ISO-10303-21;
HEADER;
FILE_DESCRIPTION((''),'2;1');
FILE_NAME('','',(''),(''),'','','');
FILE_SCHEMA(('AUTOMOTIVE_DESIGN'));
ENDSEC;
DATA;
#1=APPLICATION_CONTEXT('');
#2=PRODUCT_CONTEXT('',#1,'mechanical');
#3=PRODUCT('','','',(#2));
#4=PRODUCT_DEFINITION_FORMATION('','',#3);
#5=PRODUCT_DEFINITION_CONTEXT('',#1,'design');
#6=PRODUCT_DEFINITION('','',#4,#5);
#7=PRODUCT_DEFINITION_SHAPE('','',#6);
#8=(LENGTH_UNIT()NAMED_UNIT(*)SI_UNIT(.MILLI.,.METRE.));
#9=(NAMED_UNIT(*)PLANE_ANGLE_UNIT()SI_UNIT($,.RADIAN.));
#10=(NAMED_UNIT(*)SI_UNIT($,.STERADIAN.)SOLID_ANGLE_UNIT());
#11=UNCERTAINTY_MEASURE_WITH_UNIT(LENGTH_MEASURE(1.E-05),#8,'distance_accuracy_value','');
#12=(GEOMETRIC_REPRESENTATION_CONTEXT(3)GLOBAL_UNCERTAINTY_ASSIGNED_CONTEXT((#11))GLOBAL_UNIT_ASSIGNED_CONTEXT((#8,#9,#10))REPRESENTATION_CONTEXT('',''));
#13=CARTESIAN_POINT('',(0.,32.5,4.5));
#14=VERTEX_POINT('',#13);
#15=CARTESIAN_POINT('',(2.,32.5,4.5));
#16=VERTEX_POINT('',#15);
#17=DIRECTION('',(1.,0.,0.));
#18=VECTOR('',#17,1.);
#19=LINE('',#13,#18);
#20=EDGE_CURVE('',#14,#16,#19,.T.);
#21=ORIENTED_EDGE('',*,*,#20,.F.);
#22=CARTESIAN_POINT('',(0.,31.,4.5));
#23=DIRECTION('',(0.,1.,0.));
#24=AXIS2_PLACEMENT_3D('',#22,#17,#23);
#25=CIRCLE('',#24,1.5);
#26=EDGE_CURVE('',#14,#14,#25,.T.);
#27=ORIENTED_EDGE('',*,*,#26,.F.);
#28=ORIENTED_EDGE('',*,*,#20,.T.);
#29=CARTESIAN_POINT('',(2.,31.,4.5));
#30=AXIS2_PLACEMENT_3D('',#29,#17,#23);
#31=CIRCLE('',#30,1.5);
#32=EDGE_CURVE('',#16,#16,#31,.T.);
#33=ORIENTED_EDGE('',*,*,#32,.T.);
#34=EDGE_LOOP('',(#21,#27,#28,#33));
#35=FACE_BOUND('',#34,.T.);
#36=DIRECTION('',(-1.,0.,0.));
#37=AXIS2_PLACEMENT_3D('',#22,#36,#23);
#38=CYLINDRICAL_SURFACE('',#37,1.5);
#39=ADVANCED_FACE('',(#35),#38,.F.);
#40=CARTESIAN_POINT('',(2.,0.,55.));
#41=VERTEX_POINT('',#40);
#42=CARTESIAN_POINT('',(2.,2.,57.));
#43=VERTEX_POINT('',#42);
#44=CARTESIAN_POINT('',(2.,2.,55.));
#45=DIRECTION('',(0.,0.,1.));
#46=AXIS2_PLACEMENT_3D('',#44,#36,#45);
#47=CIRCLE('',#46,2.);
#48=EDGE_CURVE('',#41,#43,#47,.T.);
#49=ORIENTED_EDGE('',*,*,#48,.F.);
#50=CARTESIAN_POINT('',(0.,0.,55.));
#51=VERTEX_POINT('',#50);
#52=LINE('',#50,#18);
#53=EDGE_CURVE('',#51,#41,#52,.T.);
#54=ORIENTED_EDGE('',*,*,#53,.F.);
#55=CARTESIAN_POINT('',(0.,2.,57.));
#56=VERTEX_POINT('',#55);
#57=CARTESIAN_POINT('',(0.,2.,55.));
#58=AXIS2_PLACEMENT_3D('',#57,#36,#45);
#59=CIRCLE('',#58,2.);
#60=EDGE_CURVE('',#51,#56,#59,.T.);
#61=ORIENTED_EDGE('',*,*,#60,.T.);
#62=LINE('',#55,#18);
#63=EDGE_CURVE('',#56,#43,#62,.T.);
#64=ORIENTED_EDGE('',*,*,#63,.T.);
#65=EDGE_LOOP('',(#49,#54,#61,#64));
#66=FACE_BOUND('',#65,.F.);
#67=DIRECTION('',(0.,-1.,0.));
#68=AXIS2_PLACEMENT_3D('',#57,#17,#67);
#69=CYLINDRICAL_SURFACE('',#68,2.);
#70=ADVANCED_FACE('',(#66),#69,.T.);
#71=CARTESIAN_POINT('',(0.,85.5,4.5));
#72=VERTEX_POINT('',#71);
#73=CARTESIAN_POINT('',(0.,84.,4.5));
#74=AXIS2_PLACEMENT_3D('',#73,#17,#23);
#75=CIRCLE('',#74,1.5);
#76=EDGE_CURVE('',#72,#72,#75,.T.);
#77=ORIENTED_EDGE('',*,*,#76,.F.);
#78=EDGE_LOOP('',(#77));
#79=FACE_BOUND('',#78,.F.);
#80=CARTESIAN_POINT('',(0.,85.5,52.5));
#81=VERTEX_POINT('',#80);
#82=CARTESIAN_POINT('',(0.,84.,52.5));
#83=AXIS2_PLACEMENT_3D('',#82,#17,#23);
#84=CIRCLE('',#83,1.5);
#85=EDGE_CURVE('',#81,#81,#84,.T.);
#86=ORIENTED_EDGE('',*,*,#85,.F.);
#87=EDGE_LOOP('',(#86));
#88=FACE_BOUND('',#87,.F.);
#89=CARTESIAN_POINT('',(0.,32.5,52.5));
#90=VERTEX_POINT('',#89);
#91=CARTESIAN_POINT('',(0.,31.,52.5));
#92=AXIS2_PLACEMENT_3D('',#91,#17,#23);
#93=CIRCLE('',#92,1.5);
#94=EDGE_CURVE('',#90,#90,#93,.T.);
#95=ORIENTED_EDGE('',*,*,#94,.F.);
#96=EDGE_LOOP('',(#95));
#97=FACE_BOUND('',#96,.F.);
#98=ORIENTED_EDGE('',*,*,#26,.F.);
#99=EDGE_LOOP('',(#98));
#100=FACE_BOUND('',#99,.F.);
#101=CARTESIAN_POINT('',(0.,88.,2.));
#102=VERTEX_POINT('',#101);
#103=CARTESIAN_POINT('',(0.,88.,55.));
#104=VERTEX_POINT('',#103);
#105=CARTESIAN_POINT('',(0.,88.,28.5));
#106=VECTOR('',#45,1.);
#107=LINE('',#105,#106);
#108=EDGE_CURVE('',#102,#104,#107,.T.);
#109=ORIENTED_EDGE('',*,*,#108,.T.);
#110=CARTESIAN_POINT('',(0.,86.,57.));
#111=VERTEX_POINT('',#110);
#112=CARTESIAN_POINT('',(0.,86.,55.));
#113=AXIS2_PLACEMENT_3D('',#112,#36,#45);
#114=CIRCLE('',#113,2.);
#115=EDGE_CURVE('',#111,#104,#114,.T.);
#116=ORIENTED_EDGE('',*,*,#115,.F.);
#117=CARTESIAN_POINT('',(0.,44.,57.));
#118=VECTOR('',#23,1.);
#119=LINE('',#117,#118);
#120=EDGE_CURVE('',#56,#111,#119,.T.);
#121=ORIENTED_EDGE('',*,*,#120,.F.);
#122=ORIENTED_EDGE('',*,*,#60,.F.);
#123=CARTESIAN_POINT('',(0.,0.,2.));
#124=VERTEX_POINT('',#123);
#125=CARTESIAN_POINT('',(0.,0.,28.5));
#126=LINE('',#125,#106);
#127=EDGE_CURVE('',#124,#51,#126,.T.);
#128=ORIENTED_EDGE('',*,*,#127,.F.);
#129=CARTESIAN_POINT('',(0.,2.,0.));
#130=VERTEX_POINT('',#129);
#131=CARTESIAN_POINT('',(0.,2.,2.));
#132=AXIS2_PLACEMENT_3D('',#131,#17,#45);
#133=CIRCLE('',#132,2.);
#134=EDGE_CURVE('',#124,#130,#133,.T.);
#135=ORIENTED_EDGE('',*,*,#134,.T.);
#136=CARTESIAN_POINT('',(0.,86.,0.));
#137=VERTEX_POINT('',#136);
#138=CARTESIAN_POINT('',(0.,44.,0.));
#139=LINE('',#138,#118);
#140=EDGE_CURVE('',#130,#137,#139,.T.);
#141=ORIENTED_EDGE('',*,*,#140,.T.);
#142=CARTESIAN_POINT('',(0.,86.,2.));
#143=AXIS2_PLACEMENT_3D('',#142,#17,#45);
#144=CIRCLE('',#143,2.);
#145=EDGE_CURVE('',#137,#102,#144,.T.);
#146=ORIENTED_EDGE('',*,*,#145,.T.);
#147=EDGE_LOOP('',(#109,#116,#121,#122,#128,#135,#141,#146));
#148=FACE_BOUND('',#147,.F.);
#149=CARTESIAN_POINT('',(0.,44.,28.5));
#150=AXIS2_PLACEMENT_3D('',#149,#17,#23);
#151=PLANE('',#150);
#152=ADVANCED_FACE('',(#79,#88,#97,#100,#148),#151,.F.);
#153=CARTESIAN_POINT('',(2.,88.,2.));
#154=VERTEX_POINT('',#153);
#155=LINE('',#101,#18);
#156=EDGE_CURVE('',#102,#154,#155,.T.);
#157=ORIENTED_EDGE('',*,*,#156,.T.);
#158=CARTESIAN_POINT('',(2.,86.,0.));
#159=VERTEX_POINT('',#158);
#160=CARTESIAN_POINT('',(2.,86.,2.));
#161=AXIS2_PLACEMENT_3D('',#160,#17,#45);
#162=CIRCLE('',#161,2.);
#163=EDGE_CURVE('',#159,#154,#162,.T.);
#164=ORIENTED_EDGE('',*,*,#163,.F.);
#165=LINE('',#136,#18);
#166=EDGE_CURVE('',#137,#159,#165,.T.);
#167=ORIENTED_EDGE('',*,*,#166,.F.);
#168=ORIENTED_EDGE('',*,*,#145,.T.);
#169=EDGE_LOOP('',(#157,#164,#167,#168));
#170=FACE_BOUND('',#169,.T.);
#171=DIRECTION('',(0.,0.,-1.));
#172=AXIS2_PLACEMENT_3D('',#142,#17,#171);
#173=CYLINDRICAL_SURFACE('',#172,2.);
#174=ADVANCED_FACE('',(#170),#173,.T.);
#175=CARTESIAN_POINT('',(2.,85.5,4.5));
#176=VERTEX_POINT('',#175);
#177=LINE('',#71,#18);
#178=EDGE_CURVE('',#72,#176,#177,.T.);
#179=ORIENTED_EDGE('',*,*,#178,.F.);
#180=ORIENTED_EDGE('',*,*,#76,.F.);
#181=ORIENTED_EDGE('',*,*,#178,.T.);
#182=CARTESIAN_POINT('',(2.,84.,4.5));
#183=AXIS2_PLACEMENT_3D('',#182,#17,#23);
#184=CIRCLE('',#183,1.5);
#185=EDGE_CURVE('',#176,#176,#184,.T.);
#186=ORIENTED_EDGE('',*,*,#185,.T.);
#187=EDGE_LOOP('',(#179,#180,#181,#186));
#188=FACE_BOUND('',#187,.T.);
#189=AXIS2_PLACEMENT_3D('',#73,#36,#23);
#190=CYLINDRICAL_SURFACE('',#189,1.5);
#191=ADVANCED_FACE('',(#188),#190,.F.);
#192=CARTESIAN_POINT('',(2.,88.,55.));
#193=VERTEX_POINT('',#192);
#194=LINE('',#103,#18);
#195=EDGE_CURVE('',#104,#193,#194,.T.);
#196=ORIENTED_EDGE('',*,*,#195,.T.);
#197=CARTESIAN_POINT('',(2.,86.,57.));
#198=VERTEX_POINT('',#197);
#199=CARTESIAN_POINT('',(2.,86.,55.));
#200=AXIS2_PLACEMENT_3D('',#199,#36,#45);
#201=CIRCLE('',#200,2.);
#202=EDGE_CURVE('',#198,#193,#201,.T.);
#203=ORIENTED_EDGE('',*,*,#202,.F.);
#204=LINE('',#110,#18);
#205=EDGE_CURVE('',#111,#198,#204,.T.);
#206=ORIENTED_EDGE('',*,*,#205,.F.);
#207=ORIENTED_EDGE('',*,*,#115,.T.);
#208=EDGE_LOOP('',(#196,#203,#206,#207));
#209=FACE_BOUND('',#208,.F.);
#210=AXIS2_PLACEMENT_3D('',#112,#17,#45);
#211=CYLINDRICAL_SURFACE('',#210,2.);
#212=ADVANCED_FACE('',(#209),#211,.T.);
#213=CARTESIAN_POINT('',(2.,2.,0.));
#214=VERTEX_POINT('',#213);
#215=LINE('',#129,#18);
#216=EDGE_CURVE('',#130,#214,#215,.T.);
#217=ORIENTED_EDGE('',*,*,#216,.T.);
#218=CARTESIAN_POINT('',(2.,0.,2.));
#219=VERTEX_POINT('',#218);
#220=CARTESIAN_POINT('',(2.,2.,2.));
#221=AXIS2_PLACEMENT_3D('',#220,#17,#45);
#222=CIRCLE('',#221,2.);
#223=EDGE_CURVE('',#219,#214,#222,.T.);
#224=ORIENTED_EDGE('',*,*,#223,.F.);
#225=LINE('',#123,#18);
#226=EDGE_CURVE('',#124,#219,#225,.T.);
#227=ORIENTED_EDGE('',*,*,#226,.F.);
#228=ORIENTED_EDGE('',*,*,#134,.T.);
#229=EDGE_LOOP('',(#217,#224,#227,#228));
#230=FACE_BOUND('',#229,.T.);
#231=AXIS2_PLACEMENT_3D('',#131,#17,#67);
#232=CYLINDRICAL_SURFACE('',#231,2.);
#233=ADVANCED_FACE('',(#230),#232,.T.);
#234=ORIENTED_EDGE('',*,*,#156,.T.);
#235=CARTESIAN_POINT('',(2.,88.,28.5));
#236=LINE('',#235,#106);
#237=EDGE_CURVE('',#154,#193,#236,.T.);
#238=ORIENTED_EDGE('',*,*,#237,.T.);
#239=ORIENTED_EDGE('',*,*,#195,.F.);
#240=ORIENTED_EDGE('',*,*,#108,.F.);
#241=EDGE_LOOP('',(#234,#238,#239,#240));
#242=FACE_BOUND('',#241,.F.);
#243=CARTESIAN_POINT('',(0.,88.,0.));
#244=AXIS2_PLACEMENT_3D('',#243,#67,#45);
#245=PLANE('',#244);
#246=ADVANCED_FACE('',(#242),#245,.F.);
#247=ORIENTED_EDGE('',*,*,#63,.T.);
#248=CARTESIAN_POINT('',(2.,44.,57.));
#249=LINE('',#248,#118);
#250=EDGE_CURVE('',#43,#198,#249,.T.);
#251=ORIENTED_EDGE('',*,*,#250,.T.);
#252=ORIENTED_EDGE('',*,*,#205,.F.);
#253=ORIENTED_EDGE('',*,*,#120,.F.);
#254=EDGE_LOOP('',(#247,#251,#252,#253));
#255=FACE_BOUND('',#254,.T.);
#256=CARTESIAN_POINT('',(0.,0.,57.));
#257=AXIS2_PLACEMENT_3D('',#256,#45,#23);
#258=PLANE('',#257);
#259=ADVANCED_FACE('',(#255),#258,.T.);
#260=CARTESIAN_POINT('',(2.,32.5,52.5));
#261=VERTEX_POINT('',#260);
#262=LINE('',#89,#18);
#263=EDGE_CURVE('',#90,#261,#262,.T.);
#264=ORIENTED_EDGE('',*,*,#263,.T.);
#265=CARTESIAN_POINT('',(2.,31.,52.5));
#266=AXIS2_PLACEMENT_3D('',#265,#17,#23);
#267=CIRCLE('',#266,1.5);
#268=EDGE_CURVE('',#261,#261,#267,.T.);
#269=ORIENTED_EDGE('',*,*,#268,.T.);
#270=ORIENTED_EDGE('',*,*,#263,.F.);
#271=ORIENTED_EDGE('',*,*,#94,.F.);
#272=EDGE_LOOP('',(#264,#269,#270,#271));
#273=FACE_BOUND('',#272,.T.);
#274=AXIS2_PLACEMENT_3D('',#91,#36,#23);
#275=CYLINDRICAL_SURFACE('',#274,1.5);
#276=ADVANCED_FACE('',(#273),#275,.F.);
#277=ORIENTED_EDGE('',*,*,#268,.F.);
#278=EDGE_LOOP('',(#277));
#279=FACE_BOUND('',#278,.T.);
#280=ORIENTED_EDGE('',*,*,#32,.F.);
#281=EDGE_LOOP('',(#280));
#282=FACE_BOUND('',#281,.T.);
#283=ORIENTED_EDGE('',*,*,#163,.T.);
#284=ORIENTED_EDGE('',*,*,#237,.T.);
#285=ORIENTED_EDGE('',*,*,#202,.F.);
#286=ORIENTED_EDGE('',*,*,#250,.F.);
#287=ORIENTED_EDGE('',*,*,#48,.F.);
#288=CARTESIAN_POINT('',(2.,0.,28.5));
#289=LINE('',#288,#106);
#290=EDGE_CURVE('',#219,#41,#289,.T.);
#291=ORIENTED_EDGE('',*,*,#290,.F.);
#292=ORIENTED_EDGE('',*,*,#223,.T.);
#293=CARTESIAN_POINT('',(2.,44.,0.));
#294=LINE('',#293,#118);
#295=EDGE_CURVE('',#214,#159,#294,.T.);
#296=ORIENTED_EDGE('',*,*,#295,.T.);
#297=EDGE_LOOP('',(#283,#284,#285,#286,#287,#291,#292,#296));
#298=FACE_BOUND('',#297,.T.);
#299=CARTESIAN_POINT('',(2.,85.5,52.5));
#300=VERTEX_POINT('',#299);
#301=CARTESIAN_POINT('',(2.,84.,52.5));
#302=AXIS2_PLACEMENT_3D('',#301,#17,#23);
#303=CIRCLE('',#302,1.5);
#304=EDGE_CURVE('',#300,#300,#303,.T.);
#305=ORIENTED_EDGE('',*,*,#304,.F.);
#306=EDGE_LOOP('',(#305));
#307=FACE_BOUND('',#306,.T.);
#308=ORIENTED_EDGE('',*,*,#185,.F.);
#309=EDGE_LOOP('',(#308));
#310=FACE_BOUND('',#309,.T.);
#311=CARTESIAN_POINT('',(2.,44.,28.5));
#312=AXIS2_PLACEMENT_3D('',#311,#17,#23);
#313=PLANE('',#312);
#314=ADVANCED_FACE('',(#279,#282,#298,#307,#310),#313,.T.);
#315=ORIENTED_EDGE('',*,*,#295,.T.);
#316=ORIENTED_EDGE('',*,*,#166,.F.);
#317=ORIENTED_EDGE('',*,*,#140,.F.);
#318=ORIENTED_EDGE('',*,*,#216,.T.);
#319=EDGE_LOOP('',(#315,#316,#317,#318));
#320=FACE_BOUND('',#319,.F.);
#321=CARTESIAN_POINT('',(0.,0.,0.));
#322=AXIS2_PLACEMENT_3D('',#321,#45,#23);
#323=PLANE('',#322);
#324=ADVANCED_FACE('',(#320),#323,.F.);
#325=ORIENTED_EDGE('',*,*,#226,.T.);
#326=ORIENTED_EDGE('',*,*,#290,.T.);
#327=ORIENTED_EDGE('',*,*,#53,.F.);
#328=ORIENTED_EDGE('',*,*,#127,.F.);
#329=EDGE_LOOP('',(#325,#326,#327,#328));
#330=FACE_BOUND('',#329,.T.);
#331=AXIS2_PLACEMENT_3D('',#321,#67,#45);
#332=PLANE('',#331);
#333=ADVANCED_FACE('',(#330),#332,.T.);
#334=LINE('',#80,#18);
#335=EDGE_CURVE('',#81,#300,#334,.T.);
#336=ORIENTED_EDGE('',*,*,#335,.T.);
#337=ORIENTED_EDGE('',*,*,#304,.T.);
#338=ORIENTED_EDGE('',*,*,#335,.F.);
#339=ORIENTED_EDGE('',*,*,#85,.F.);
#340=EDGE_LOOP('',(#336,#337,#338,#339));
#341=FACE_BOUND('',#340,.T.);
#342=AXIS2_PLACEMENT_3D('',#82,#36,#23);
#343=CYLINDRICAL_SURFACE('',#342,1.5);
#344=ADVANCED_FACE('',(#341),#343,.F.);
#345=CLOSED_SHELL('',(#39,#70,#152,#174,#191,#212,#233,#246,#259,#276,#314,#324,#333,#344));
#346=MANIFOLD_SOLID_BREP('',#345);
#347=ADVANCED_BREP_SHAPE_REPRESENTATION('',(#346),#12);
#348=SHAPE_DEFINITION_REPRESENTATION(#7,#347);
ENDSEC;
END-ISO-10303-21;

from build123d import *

# Parameters (mm, degrees)
F0_W     = 88
F0_H     = 57
F0_R     = 1.5
F1_DEPTH = 2
F2_R     = 2


with BuildPart() as f1:
    # F0 (on Right) → F1 (new body)
    with BuildSketch(Plane.YZ):
        with Locations((44, 28.5)):
            Rectangle(F0_W, F0_H)
        with Locations((31, 4.5)):
            Circle(F0_R, mode=Mode.SUBTRACT)
        with Locations((84, 4.5)):
            Circle(F0_R, mode=Mode.SUBTRACT)
        with Locations((31, 52.5)):
            Circle(F0_R, mode=Mode.SUBTRACT)
        with Locations((84, 52.5)):
            Circle(F0_R, mode=Mode.SUBTRACT)
    extrude(amount=F1_DEPTH)

    # F2
    f2_edges = [f1.edges().sort_by_distance(p)[0] for p in [
        (1, 0, 0),
        (1, 88, 0),
        (1, 0, 57),
        (1, 88, 57),
    ]]
    fillet(f2_edges, radius=F2_R)


solid = f1.part
